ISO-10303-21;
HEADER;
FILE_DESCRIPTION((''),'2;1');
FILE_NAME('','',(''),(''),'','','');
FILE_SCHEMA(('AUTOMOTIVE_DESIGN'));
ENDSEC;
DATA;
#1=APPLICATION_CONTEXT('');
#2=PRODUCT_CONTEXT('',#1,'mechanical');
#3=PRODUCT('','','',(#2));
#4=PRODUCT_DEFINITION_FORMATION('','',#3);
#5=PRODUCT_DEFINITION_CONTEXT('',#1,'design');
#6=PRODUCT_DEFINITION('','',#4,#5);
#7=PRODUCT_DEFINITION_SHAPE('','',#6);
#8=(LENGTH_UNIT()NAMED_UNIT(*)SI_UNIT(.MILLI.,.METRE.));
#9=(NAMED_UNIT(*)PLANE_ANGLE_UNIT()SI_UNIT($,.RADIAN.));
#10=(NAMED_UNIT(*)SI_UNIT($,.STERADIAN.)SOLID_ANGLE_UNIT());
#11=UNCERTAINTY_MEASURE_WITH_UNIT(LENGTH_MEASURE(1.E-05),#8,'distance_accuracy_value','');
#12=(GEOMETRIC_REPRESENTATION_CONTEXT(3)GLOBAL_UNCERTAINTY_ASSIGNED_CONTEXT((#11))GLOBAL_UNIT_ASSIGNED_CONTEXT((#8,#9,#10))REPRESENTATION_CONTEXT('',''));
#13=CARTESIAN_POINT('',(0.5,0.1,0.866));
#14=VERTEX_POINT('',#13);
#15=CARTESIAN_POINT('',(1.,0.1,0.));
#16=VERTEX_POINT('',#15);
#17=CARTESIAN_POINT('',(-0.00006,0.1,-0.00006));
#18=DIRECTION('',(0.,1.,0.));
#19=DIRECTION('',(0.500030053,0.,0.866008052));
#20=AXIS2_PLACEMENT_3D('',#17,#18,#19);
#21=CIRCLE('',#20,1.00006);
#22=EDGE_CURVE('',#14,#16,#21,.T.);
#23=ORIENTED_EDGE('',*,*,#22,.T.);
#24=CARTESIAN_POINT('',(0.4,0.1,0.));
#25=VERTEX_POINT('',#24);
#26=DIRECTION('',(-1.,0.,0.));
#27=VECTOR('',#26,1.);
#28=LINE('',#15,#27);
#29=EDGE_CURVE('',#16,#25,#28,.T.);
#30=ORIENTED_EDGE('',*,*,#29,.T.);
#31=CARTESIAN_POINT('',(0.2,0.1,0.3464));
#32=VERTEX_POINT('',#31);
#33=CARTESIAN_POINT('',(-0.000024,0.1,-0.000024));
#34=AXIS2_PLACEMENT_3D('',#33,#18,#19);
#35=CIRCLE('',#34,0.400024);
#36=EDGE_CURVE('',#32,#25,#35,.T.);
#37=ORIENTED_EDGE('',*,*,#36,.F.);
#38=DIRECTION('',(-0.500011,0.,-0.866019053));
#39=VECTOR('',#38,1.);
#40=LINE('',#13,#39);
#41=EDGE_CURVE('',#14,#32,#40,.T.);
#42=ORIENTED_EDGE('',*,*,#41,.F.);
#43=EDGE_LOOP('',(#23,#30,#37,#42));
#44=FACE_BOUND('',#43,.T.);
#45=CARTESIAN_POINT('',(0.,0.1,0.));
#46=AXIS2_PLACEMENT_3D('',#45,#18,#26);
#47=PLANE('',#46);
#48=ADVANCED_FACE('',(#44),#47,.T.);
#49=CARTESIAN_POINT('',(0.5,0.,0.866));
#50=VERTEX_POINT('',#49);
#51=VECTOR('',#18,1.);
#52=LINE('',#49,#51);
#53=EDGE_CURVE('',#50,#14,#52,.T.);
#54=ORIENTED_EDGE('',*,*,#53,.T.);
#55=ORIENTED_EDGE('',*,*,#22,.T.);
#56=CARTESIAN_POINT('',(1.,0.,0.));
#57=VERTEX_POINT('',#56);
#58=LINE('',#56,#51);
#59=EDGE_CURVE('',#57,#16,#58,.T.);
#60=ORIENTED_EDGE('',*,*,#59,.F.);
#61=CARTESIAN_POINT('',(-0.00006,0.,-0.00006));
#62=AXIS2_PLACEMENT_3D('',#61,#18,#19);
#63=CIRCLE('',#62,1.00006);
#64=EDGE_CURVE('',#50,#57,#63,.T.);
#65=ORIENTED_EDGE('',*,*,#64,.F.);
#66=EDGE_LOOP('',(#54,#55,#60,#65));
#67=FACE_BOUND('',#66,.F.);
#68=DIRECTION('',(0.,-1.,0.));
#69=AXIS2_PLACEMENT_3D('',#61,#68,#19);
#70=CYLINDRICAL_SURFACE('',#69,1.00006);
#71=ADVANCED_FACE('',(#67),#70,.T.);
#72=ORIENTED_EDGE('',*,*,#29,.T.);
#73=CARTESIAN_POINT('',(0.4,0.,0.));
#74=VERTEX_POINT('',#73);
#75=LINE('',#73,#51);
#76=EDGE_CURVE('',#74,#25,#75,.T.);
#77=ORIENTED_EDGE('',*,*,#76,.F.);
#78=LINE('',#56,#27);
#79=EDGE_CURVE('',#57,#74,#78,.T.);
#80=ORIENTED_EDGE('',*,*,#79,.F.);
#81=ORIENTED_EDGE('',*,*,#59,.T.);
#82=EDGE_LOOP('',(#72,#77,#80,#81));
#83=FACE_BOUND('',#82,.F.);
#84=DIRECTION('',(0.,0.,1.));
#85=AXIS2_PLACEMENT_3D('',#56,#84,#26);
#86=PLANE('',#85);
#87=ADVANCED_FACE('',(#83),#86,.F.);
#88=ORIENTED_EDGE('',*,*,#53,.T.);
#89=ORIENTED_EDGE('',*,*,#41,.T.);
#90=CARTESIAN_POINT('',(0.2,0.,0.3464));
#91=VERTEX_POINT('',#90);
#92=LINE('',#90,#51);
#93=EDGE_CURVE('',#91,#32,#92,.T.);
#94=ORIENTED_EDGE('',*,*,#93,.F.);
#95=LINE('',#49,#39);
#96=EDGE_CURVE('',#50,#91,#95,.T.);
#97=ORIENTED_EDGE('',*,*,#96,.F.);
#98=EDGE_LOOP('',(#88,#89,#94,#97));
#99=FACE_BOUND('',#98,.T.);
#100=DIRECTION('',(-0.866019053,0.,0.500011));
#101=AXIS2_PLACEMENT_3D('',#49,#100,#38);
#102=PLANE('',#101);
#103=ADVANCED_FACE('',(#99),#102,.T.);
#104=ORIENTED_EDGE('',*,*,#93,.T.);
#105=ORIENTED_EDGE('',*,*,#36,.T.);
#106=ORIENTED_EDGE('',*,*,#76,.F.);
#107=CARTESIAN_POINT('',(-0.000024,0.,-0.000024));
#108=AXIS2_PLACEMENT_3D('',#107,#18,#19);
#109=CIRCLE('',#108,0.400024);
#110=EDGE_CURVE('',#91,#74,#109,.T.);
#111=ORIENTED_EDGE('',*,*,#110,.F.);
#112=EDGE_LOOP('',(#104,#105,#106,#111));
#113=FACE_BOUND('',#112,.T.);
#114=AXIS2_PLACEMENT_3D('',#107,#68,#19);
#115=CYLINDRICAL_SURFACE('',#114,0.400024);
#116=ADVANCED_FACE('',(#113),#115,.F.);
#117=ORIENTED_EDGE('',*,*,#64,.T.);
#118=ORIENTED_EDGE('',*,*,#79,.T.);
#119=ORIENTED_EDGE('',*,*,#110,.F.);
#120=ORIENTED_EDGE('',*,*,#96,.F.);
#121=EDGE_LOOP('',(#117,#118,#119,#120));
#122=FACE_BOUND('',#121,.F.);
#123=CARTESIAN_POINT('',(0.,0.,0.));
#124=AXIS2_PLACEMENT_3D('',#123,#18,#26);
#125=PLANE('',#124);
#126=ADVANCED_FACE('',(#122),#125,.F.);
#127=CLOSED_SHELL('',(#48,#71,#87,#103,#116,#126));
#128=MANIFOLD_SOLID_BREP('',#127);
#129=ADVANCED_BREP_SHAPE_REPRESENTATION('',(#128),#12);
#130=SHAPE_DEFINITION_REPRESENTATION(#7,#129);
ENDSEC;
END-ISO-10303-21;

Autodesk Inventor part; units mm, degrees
ref_plane "YZ Plane" through (0, 0, 0) normal (1, 0, 0) x (0, 1, 0)
ref_plane "XZ Plane" through (0, 0, 0) normal (0, 1, 0) x (-1, 0, 0)
ref_plane "XY Plane" through (0, 0, 0) normal (0, 0, 1) x (1, 0, 0)
sketch "Эскиз2" plane through (0, 0, 0) normal (0, 1, 0) x (-1, 0, 0)
  line L0 (-1, 0) -> (-0.4, 0)
  arc A0 (-0.5, 0.866) -> (-1, 0) centre (0, 0) ccw
  line L1 (-0.2, 0.3464) -> (-0.5, 0.866) construction
  line L2 (0, 0) -> (-1, 0) construction
  line L3 (-0.5, 0.866) -> (-0.2, 0.3464)
  arc A1 (-0.2, 0.3464) -> (-0.4, 0) centre (0, 0) ccw
  dimension "d4" = 60
  dimension "d9" = 2
  dimension "d10" = 0.8
extrude "Выдавливание2" add sketch "Эскиз2" along normal blind 0.1
properties part number "Arch 60" material "Сталь, мягкая"
